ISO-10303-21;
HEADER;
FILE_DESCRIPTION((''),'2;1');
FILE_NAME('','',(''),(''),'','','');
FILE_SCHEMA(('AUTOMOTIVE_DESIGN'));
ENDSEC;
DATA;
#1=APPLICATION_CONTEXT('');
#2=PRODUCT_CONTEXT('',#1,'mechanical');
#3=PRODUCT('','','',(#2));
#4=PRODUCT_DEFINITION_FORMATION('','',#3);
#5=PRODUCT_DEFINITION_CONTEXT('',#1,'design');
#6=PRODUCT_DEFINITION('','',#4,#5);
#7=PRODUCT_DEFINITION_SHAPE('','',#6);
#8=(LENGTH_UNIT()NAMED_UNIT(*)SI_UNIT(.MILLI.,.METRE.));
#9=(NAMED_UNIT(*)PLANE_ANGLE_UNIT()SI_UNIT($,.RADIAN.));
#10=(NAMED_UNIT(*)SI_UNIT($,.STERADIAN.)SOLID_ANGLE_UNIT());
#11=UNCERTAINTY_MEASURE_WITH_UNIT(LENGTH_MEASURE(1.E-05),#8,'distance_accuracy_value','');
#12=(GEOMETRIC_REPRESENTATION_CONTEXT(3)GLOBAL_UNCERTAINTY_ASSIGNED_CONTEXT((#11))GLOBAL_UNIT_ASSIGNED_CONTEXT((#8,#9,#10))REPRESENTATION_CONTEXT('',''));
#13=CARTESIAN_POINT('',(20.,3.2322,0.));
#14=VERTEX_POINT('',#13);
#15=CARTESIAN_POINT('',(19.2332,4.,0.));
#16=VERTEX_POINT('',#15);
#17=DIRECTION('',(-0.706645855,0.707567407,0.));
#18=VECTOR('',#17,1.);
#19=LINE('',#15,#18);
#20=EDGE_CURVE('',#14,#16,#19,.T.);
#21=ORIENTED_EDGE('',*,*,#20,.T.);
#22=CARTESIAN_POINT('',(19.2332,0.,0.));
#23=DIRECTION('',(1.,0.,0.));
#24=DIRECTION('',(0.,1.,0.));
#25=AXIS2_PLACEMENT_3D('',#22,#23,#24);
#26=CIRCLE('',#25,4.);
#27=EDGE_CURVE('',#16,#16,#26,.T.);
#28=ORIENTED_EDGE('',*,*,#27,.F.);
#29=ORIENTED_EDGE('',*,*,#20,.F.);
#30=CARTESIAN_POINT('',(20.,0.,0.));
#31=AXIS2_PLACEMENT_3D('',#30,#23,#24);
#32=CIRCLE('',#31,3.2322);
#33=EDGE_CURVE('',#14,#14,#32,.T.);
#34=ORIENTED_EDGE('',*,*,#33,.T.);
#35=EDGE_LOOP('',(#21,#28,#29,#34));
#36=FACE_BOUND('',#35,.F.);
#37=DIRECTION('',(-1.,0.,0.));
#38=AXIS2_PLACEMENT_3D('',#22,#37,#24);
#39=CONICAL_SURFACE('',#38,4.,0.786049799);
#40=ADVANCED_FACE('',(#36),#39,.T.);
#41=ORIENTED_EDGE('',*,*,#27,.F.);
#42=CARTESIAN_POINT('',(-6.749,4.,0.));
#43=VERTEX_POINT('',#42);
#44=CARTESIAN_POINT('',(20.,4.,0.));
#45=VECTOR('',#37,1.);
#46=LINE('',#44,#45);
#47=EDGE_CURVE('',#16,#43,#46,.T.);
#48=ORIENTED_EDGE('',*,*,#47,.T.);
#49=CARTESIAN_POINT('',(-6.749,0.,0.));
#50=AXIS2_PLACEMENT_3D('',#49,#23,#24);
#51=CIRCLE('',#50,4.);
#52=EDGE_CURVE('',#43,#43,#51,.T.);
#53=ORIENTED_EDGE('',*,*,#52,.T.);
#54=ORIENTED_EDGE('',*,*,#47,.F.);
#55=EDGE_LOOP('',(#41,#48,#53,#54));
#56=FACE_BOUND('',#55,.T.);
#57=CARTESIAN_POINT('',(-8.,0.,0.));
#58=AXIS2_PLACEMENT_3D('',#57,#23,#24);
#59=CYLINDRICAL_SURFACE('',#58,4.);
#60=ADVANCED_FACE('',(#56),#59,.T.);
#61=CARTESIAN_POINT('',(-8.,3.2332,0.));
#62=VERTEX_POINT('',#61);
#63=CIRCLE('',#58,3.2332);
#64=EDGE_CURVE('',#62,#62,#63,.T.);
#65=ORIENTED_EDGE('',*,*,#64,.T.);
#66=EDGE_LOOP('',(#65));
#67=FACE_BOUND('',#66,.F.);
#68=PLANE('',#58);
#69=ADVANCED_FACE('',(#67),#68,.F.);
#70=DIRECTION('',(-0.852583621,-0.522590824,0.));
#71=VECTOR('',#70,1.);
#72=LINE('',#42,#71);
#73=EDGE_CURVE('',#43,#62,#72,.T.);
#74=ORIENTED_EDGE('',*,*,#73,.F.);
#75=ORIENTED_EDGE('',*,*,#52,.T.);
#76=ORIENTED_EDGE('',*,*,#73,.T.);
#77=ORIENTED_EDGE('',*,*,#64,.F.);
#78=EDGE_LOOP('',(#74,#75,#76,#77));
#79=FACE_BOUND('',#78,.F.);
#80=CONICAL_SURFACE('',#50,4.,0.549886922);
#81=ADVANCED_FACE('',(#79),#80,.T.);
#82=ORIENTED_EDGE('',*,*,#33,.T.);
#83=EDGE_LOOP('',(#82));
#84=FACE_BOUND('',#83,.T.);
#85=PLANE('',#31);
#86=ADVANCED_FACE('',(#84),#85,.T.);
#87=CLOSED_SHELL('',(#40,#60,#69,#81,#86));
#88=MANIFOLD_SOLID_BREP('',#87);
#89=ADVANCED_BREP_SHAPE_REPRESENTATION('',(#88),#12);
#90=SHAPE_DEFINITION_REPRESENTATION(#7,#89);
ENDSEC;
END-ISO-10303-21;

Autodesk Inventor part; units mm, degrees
ref_plane "YZ Plane" through (0, 0, 0) normal (1, 0, 0) x (0, 1, 0)
ref_plane "XZ Plane" through (0, 0, 0) normal (0, 1, 0) x (-1, 0, 0)
sketch "Skizze1" plane through (0, 0, 0) normal (0, 0, 1) x (1, 0, 0)
  line L0 (20, 4) -> (20, 0)
  line L1 (-8, 0) -> (20, 0)
  line L2 (-13.6, 0) -> (25.6, 0) projected
  line L3 (0, 4.8) -> (0, -0.8) projected
  line L4 (-8, 4) -> (-8, 0)
  line L5 (2, 4) -> (2, 0) construction
  line L6 (-13.6, 0) -> (25.6, 0) projected
  line L7 (-8, 4) -> (20, 4)
  dimension "d4" = 8
  dimension "d5" = 20
  dimension "d6" = 18
  dimension "d13" = 8
revolve "Körper" add sketch "Skizze1" angle 360 about axis through (-8, 0, 0) along (1, 0, 0)
thread "Gewinde1" size "M8x1.25" class "6g" standard "ISO Metric profile" length 8
thread "Gewinde2" size "M8x1.25" class "6g" standard "ISO Metric profile" length 18.7668
chamfer "Fase1" distance 0.7678 distance2 0.7668 1 edges at (20, -4, 0) measured on face at (20, -0.0467, 2.2623)
chamfer "Fase2" distance 1.251 distance2 0.7668 1 edges at (-8, -4, 0) measured on face at (10.1555, 3.987, -0.3219)
ref_plane "Work Plane1" through (2.75, 0, 0) normal (0, -1, 0) x (1, 0, 0)
equation "\"d4\" = KOH"
equation "\"d5\" = NLG"
equation "\"d6\" = GEL"
equation "\"d13\" = GD"
equation "\"d1\" = KOH"
equation "\"d7\" = GEL + GAL"
equation "\"d10\" = -0.5 * SPD + 0.5 * GD"
equation "\"d12\" = -0.5 * SPD + 0.5 * GD"
equation "\"NLG\" = 20"
equation "\"GEL\" = 18"
equation "\"GAL\" = 0.61345 * PTC"
equation "\"SPD\" = NND - 1.2269 * PTC"
equation "\"d0\" = GD"
equation "\"GUL\" = 0.61345 * PTC"
equation "\"KOH\" = NND"
equation "\"GD\" = NND"
equation "\"BDM\" = NND"
equation "\"GUL1\" = 1.25"
equation "\"GAL1\" = 1.25"
equation "\"d80\" = -GUL - GEL"
equation "\"d86\" = -KOH + GUL1"
equation "\"PTC\" = 1.25"
equation "\"THREADDIA\" = 8"
equation "\"TOA\" = 30deg"
equation "\"NND\" = 8"
equation "\"GD1\" = THREADDIA - 1.2269 * PTC"
properties part number "CSN 02 1174 - A M8 x 20" material "Stahl, weich"
